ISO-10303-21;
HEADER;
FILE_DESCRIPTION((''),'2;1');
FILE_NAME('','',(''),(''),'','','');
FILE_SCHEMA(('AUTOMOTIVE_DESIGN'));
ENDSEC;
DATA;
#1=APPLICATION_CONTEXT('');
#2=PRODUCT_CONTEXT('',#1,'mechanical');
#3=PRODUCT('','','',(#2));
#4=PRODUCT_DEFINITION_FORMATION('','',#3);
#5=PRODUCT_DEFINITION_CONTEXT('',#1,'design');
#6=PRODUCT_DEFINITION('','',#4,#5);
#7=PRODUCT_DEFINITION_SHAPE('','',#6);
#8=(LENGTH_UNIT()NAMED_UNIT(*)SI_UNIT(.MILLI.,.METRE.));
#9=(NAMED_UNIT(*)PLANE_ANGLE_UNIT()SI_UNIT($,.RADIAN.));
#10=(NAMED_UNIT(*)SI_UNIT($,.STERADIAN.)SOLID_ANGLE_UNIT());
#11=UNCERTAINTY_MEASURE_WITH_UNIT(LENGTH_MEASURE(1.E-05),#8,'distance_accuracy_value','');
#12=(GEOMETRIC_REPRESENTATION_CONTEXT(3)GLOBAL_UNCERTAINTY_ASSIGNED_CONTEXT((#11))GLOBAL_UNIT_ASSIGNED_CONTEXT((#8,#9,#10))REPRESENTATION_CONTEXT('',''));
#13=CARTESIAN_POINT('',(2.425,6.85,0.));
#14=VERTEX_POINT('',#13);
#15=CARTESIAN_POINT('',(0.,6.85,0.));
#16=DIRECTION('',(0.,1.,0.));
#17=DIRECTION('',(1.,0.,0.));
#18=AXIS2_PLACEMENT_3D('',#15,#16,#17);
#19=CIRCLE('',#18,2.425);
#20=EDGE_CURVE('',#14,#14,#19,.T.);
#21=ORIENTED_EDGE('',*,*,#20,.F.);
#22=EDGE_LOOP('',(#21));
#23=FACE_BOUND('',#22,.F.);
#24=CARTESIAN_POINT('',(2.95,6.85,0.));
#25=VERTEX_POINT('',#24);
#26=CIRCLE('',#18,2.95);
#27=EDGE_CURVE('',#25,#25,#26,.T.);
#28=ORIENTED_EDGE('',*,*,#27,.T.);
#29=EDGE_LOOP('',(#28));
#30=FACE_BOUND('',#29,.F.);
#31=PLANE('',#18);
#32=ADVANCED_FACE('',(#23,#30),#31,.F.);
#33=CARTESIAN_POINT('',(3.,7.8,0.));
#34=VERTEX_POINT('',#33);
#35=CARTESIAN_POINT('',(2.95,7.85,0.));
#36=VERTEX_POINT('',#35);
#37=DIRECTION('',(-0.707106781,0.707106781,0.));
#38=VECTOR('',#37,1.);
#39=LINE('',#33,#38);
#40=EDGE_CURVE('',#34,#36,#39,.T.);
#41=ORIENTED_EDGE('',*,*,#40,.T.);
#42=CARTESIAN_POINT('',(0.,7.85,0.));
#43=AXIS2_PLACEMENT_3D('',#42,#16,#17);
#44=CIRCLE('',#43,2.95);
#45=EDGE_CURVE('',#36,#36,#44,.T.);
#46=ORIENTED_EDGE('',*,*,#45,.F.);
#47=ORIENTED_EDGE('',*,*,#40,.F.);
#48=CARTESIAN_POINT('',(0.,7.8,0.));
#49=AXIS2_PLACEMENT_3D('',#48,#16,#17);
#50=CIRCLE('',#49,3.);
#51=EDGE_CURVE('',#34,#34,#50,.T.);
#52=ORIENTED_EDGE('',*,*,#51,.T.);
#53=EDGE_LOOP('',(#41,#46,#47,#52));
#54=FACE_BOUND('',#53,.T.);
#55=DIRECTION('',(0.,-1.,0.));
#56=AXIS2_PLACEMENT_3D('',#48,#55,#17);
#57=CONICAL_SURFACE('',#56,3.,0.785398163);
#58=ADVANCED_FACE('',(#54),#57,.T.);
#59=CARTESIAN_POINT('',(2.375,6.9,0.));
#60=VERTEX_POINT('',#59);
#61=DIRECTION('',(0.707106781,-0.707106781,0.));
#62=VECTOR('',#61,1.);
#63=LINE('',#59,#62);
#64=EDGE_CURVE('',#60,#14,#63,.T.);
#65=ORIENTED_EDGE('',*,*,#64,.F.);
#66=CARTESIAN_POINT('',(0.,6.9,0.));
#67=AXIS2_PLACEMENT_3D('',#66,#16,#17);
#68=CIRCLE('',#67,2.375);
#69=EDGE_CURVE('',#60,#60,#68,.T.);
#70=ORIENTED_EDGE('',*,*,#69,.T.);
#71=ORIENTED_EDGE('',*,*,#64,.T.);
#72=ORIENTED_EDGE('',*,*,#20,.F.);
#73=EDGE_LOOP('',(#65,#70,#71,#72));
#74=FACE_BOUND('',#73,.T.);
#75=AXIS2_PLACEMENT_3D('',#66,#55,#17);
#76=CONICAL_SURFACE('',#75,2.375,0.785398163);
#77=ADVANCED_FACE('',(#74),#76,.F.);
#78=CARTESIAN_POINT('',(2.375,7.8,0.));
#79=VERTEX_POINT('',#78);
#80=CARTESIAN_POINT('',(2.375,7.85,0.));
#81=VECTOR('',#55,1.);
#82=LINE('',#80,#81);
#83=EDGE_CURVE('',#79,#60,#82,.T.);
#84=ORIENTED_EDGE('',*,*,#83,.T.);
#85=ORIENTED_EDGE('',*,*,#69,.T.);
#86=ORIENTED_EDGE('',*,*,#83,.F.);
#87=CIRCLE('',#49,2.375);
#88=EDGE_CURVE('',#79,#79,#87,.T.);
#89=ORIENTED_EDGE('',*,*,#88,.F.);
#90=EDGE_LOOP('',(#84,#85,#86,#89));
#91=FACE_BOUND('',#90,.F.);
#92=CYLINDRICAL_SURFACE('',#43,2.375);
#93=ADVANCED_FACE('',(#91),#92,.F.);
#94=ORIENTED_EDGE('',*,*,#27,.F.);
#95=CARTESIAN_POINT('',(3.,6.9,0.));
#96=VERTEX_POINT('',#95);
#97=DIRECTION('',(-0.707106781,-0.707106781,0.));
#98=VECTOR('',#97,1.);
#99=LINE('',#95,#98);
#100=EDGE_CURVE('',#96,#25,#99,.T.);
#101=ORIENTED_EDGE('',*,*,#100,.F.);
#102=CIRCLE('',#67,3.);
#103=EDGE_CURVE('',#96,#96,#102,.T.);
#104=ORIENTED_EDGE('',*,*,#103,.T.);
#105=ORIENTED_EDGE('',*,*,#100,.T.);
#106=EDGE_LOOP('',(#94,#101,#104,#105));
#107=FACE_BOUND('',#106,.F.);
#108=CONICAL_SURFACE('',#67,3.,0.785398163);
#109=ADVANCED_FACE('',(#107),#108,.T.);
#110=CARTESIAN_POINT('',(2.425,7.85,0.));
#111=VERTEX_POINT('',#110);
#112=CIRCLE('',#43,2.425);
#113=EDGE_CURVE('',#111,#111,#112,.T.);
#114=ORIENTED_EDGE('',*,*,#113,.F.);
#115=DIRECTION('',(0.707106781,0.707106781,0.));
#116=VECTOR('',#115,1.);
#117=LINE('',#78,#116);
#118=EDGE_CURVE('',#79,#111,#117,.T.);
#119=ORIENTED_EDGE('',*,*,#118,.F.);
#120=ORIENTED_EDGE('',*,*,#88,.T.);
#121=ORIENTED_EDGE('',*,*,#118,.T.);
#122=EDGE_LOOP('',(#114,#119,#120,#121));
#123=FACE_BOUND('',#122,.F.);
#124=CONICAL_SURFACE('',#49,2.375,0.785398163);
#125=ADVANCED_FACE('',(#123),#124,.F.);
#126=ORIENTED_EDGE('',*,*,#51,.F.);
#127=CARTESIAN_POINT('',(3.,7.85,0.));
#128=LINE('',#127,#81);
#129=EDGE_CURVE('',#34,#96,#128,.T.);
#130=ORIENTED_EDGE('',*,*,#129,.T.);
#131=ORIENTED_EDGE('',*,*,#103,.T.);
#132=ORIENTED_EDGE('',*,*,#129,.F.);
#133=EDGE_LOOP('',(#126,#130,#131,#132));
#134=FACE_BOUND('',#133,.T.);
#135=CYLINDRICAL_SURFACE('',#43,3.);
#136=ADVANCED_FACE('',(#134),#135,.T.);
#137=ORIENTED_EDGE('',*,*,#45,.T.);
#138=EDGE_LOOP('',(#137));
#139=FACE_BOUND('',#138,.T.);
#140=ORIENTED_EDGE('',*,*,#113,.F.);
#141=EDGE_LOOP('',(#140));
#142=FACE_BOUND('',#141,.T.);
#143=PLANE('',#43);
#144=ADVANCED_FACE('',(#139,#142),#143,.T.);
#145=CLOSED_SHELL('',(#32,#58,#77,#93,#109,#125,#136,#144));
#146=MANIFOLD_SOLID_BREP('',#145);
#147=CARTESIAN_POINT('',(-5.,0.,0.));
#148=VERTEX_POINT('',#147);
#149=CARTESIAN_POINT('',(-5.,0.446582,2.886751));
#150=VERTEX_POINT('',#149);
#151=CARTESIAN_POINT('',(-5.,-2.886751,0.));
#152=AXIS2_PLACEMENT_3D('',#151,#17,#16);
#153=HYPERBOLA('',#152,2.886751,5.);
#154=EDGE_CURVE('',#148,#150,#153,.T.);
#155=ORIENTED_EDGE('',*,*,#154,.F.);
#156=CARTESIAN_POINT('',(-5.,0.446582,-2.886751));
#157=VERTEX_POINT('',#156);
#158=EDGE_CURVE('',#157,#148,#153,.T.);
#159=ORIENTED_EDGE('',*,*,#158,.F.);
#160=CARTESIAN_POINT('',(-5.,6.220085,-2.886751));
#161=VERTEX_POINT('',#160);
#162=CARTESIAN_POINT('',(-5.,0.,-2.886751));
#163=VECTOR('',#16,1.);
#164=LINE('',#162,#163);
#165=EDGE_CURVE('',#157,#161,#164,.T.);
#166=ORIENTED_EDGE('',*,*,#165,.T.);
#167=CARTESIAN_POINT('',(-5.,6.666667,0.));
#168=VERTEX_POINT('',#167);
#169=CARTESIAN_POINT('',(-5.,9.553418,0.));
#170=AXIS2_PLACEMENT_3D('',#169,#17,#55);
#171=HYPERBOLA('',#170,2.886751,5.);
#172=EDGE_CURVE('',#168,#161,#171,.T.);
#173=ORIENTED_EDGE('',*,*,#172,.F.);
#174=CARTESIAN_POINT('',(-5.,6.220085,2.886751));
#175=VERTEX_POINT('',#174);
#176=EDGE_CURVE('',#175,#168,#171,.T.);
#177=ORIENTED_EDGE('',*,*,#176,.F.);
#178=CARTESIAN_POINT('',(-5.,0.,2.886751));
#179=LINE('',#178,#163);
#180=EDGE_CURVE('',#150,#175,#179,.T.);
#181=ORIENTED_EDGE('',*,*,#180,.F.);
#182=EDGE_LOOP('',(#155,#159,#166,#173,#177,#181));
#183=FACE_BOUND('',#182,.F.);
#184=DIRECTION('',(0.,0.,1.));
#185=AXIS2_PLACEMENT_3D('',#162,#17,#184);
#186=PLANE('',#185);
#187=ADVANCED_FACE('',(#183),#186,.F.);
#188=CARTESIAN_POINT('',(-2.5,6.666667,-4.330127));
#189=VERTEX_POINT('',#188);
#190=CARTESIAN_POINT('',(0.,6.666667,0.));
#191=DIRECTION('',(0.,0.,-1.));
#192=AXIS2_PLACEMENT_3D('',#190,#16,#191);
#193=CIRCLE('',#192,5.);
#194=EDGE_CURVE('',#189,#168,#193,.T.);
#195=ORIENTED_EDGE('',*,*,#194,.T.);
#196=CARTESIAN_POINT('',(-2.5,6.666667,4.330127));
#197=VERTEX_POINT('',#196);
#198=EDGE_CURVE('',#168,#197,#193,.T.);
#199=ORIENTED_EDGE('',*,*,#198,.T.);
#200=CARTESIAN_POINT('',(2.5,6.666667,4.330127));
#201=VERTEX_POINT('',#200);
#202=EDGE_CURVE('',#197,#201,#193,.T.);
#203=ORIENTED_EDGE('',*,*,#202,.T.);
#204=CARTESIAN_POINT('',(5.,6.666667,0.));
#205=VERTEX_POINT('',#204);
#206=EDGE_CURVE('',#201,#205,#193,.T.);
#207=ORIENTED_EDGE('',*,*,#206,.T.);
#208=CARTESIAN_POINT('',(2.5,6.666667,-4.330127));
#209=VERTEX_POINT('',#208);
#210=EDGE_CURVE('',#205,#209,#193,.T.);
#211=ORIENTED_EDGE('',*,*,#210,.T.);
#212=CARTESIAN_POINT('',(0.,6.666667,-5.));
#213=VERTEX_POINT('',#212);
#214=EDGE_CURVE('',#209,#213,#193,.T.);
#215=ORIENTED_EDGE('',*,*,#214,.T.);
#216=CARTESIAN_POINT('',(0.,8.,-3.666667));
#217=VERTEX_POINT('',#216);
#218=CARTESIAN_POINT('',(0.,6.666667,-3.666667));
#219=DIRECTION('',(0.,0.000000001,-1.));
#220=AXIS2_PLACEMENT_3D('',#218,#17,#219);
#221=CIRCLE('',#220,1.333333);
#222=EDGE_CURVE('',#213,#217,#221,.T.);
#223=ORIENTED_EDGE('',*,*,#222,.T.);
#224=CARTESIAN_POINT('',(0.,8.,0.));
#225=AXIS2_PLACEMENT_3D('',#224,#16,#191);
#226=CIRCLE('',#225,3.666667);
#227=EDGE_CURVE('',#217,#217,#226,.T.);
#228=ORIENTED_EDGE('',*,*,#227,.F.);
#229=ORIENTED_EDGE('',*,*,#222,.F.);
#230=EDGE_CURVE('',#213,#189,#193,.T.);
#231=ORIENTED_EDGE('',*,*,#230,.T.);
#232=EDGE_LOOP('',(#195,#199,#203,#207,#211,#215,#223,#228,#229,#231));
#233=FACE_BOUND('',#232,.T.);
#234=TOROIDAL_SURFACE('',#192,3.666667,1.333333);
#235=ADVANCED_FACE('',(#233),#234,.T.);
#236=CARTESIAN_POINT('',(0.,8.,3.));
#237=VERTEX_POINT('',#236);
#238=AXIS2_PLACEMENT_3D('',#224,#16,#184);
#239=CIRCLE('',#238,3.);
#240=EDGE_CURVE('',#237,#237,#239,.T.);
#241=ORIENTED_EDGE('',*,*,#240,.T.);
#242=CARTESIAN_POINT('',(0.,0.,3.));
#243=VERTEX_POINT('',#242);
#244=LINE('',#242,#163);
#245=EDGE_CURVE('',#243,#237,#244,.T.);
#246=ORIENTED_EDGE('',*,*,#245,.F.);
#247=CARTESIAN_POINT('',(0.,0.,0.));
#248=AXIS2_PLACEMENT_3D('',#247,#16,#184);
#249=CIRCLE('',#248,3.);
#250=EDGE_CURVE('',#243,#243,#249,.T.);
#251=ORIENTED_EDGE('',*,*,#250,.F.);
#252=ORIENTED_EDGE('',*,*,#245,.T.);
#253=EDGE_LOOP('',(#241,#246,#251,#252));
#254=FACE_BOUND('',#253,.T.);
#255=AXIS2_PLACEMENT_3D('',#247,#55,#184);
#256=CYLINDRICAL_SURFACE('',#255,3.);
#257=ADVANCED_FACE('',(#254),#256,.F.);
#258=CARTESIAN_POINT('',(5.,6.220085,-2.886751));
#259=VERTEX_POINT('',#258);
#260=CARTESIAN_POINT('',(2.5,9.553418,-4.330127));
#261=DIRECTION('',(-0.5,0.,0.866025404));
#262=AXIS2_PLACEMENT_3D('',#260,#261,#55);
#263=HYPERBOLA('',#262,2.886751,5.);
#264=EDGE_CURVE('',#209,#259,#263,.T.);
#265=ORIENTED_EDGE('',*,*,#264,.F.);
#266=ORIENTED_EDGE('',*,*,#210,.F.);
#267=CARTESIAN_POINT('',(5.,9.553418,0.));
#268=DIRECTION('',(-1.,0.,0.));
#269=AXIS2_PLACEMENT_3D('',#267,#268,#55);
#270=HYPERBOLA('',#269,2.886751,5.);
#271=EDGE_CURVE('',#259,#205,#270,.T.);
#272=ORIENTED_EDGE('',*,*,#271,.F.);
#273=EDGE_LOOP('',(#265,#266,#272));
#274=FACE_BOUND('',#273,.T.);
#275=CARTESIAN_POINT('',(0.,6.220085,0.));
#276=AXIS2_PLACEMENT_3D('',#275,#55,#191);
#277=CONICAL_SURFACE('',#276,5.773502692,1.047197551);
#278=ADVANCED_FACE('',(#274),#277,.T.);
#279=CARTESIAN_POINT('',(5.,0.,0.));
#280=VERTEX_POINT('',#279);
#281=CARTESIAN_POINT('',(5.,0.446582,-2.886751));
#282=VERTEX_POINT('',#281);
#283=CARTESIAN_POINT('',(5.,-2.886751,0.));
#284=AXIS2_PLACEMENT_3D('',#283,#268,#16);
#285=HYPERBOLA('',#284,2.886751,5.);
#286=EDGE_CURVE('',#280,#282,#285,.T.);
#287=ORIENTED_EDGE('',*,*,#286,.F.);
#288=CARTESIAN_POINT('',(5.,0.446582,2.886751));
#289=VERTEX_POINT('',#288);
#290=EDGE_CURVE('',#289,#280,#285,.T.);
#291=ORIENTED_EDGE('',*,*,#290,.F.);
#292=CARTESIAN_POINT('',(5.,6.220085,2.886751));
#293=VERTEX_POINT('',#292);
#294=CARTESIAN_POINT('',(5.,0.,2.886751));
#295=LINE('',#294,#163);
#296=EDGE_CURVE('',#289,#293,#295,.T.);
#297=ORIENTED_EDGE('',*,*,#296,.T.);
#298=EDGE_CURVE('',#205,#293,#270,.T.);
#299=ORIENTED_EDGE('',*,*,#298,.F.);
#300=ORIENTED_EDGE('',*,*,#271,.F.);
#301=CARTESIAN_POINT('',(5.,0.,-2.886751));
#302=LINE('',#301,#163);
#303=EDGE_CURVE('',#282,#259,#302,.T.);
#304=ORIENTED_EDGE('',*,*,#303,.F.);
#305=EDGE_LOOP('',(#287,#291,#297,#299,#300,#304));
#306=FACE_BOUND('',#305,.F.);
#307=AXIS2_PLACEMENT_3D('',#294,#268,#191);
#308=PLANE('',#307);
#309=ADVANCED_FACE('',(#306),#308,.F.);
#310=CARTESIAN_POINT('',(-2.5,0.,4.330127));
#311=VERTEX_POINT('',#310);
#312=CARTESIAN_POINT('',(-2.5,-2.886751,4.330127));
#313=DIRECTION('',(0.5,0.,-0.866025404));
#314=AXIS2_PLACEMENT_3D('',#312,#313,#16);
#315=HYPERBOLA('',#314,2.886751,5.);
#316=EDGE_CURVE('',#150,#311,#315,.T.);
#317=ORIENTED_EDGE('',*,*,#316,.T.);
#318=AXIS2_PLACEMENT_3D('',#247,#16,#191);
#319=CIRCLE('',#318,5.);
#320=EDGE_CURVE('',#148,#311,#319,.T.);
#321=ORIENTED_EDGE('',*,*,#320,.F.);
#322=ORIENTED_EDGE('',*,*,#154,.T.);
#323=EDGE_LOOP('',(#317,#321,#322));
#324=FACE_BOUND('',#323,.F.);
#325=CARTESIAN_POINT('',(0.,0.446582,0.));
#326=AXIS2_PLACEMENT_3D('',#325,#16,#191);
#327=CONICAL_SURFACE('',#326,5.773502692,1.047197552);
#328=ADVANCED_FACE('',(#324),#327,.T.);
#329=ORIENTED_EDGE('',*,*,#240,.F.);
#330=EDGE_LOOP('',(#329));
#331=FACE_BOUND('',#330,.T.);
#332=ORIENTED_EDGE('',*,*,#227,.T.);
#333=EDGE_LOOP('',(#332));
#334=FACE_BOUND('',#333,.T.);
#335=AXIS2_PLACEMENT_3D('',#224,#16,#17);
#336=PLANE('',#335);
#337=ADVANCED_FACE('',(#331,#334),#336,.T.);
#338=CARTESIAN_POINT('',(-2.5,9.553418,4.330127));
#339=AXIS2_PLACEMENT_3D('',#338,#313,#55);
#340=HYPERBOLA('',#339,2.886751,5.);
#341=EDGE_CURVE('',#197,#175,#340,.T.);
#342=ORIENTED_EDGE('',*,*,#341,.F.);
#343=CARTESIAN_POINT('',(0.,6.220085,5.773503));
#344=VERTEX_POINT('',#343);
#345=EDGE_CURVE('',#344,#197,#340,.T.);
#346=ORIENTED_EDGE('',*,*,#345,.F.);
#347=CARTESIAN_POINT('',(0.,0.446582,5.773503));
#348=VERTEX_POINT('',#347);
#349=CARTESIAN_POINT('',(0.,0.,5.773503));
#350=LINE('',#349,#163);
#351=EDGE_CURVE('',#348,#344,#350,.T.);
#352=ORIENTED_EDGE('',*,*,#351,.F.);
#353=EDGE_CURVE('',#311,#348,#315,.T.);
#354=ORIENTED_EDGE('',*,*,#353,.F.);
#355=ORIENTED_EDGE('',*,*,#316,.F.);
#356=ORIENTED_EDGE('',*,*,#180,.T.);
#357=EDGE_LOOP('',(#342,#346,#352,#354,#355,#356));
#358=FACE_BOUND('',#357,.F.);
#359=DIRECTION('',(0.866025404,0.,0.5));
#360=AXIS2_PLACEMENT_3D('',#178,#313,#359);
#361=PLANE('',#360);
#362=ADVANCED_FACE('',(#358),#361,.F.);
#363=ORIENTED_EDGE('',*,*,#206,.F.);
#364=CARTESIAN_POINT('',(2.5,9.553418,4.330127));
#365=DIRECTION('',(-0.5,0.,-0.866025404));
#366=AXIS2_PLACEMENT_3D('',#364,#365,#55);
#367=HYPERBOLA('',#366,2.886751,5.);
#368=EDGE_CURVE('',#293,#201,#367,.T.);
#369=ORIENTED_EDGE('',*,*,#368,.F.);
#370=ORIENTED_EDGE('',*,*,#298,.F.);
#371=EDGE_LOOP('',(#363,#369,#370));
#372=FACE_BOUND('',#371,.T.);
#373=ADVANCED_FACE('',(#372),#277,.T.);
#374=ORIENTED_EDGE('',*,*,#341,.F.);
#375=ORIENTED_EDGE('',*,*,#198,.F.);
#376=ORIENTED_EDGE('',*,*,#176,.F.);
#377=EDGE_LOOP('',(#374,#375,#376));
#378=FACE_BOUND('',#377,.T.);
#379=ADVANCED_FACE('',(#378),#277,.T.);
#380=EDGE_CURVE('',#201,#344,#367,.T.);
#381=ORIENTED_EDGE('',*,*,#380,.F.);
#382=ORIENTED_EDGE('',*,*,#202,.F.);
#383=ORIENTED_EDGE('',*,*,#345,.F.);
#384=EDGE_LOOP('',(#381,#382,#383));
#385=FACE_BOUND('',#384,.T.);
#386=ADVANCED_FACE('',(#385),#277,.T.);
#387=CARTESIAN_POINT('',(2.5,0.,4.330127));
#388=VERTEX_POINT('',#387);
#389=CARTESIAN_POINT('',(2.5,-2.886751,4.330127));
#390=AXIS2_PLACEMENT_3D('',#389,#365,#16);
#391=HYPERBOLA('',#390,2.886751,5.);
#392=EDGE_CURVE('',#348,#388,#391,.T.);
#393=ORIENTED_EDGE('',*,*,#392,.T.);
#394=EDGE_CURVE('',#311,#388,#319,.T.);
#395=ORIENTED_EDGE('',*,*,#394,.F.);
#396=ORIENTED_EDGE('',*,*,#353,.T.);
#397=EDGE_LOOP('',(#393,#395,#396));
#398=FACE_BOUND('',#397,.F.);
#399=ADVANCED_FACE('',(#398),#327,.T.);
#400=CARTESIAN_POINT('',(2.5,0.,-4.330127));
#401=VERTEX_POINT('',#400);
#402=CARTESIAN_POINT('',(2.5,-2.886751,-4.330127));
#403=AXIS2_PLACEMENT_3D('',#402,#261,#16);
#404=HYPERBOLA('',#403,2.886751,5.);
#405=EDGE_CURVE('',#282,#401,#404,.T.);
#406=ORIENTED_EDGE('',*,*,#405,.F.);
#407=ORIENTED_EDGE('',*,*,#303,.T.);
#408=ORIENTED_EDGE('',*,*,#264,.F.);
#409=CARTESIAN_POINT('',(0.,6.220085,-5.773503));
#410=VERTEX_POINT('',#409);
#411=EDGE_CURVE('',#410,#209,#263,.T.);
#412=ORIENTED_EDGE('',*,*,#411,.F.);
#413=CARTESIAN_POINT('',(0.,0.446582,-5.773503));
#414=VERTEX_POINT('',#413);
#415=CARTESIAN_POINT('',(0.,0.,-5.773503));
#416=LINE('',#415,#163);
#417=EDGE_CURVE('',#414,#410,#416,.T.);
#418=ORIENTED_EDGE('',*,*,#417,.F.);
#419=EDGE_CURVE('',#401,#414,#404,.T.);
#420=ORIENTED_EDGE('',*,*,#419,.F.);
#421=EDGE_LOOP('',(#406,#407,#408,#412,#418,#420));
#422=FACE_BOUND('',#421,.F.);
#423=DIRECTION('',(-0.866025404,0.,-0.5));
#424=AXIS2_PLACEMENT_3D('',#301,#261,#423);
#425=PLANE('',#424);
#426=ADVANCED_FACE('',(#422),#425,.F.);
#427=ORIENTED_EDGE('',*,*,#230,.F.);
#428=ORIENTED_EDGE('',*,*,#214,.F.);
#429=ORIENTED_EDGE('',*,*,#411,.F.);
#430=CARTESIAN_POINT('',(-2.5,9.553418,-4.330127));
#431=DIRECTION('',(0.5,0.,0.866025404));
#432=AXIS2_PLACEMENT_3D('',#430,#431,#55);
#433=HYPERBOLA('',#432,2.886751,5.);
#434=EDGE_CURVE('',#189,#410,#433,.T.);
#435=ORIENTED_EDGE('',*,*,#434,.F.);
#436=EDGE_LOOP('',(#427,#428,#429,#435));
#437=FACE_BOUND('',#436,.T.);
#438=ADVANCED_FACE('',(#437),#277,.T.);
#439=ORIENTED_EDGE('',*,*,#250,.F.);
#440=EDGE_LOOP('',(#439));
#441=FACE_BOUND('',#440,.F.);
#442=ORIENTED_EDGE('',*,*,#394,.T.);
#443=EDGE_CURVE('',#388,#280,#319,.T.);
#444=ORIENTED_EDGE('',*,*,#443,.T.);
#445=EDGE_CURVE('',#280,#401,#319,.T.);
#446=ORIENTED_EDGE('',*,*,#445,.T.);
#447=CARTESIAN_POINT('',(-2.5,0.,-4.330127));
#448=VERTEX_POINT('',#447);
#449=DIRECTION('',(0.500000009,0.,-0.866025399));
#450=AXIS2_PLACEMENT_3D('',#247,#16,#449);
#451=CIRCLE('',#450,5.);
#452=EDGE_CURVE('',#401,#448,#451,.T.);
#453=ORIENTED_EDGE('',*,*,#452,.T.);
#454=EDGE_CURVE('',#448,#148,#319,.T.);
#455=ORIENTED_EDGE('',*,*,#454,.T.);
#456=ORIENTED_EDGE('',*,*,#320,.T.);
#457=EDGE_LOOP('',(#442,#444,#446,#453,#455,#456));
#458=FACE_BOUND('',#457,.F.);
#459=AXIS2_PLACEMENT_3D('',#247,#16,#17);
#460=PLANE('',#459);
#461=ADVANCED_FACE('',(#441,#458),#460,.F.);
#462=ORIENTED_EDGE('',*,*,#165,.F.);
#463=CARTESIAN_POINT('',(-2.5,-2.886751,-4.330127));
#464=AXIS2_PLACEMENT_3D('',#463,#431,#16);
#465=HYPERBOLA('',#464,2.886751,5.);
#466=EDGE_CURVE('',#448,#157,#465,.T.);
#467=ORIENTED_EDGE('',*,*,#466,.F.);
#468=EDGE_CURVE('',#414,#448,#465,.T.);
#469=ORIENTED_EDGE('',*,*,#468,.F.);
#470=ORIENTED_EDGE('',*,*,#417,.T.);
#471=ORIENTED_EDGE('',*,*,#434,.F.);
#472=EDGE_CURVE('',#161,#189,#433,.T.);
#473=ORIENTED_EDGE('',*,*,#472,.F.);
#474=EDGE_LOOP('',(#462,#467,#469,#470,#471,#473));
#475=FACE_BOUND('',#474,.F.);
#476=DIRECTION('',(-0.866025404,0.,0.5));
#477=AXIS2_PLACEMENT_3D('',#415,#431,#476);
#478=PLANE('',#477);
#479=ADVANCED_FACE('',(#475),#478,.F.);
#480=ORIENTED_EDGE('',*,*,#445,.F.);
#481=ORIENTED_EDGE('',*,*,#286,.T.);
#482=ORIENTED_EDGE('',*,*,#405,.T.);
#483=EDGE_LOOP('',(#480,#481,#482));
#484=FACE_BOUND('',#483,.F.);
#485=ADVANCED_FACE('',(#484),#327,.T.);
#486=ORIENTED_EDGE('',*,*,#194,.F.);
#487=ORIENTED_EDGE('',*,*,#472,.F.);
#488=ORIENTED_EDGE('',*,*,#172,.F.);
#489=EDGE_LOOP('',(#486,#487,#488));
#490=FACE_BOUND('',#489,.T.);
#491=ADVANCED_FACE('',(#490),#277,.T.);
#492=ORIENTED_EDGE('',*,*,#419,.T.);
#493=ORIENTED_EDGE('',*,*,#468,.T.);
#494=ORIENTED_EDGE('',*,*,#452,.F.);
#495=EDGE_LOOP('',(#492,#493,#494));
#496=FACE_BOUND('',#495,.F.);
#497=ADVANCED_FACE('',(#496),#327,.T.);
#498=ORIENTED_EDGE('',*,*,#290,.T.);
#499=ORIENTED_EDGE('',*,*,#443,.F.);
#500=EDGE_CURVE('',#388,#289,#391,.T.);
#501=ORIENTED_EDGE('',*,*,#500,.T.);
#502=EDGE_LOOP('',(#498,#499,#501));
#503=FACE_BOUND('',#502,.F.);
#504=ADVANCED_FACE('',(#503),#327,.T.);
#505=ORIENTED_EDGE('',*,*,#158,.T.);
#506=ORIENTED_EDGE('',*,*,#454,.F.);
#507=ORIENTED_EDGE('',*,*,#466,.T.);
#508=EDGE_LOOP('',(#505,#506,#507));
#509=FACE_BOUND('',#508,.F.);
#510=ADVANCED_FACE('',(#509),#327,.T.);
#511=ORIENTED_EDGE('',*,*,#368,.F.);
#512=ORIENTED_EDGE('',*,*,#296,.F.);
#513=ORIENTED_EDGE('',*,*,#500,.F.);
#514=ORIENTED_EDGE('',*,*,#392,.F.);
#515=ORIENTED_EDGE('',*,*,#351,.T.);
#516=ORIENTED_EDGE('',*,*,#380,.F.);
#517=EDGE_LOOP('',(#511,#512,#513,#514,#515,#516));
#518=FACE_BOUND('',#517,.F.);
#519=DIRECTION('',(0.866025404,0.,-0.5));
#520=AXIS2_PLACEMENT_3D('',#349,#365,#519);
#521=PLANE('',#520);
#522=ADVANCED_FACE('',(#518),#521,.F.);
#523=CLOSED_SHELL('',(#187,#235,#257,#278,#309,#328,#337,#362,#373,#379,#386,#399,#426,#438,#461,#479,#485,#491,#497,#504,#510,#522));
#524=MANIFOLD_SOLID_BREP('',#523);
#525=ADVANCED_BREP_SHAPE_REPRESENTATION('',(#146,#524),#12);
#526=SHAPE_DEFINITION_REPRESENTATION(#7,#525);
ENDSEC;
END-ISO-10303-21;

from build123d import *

# Parameters (mm, degrees)
SKETCH1_R           = 3
EXTRUDE1_DEPTH      = 8
EXTRUDE_THIN1_START = -0.15
SKETCH3_R           = 3
SKETCH3_R_2         = 2.375
EXTRUDE_THIN1_DEPTH = 1
CHAMFER1_SIZE       = 0.05


with BuildPart() as part:
    # Sketch1 → Extrude1 (new body)
    with BuildSketch(Plane(origin=(0, 0, 0), x_dir=(1, 0, 0), z_dir=(0, 1, 0))):
        Polygon((0, 5.773502692), (-5, 2.886751346), (-5, -2.886751346), (0, -5.773502692), (5, -2.886751346), (5, 2.886751346), align=None)
        Circle(SKETCH1_R, mode=Mode.SUBTRACT)
    extrude(amount=EXTRUDE1_DEPTH)

    # Sketch2 → Cut-Revolve1 (revolve, cut)
    with BuildSketch(Plane(origin=(0, 0, 0), x_dir=(0, 0, -1), z_dir=(1, 0, 0))):
        with BuildLine():
            Line((5.773502692, 8), (5.773502692, 6.220084679))
            Line((5.773502692, 6.220084679), (5, 6.666666667))
            ThreePointArc((5, 6.666666667), (4.609475708, 7.609475708), (3.666666667, 8))
            Line((3.666666667, 8), (5.773502692, 8))
        make_face()
        Polygon((5.773502692, 0.446581987), (5, 0), (5.773502692, 0), align=None)
    revolve(axis=Axis((0, 0, 0), (0, 1, 0)), mode=Mode.SUBTRACT)


with BuildPart() as body_2:
    # Sketch3 → Extrude-Thin1 (new body)
    with BuildSketch(Plane(origin=(0, 8, 0), x_dir=(1, 0, 0), z_dir=(0, 1, 0)).offset(EXTRUDE_THIN1_START)):
        Circle(SKETCH3_R)
        Circle(SKETCH3_R_2, mode=Mode.SUBTRACT)
    extrude(amount=-EXTRUDE_THIN1_DEPTH)

    # Chamfer1
    chamfer1_edges = [body_2.edges().sort_by_distance(p)[0] for p in [
        (-3, 7.85, 0),
        (-2.375, 7.85, 0),
        (-3, 6.85, 0),
        (-2.375, 6.85, 0),
    ]]
    chamfer(chamfer1_edges, length=CHAMFER1_SIZE)


solid = Compound([part.part, body_2.part])
